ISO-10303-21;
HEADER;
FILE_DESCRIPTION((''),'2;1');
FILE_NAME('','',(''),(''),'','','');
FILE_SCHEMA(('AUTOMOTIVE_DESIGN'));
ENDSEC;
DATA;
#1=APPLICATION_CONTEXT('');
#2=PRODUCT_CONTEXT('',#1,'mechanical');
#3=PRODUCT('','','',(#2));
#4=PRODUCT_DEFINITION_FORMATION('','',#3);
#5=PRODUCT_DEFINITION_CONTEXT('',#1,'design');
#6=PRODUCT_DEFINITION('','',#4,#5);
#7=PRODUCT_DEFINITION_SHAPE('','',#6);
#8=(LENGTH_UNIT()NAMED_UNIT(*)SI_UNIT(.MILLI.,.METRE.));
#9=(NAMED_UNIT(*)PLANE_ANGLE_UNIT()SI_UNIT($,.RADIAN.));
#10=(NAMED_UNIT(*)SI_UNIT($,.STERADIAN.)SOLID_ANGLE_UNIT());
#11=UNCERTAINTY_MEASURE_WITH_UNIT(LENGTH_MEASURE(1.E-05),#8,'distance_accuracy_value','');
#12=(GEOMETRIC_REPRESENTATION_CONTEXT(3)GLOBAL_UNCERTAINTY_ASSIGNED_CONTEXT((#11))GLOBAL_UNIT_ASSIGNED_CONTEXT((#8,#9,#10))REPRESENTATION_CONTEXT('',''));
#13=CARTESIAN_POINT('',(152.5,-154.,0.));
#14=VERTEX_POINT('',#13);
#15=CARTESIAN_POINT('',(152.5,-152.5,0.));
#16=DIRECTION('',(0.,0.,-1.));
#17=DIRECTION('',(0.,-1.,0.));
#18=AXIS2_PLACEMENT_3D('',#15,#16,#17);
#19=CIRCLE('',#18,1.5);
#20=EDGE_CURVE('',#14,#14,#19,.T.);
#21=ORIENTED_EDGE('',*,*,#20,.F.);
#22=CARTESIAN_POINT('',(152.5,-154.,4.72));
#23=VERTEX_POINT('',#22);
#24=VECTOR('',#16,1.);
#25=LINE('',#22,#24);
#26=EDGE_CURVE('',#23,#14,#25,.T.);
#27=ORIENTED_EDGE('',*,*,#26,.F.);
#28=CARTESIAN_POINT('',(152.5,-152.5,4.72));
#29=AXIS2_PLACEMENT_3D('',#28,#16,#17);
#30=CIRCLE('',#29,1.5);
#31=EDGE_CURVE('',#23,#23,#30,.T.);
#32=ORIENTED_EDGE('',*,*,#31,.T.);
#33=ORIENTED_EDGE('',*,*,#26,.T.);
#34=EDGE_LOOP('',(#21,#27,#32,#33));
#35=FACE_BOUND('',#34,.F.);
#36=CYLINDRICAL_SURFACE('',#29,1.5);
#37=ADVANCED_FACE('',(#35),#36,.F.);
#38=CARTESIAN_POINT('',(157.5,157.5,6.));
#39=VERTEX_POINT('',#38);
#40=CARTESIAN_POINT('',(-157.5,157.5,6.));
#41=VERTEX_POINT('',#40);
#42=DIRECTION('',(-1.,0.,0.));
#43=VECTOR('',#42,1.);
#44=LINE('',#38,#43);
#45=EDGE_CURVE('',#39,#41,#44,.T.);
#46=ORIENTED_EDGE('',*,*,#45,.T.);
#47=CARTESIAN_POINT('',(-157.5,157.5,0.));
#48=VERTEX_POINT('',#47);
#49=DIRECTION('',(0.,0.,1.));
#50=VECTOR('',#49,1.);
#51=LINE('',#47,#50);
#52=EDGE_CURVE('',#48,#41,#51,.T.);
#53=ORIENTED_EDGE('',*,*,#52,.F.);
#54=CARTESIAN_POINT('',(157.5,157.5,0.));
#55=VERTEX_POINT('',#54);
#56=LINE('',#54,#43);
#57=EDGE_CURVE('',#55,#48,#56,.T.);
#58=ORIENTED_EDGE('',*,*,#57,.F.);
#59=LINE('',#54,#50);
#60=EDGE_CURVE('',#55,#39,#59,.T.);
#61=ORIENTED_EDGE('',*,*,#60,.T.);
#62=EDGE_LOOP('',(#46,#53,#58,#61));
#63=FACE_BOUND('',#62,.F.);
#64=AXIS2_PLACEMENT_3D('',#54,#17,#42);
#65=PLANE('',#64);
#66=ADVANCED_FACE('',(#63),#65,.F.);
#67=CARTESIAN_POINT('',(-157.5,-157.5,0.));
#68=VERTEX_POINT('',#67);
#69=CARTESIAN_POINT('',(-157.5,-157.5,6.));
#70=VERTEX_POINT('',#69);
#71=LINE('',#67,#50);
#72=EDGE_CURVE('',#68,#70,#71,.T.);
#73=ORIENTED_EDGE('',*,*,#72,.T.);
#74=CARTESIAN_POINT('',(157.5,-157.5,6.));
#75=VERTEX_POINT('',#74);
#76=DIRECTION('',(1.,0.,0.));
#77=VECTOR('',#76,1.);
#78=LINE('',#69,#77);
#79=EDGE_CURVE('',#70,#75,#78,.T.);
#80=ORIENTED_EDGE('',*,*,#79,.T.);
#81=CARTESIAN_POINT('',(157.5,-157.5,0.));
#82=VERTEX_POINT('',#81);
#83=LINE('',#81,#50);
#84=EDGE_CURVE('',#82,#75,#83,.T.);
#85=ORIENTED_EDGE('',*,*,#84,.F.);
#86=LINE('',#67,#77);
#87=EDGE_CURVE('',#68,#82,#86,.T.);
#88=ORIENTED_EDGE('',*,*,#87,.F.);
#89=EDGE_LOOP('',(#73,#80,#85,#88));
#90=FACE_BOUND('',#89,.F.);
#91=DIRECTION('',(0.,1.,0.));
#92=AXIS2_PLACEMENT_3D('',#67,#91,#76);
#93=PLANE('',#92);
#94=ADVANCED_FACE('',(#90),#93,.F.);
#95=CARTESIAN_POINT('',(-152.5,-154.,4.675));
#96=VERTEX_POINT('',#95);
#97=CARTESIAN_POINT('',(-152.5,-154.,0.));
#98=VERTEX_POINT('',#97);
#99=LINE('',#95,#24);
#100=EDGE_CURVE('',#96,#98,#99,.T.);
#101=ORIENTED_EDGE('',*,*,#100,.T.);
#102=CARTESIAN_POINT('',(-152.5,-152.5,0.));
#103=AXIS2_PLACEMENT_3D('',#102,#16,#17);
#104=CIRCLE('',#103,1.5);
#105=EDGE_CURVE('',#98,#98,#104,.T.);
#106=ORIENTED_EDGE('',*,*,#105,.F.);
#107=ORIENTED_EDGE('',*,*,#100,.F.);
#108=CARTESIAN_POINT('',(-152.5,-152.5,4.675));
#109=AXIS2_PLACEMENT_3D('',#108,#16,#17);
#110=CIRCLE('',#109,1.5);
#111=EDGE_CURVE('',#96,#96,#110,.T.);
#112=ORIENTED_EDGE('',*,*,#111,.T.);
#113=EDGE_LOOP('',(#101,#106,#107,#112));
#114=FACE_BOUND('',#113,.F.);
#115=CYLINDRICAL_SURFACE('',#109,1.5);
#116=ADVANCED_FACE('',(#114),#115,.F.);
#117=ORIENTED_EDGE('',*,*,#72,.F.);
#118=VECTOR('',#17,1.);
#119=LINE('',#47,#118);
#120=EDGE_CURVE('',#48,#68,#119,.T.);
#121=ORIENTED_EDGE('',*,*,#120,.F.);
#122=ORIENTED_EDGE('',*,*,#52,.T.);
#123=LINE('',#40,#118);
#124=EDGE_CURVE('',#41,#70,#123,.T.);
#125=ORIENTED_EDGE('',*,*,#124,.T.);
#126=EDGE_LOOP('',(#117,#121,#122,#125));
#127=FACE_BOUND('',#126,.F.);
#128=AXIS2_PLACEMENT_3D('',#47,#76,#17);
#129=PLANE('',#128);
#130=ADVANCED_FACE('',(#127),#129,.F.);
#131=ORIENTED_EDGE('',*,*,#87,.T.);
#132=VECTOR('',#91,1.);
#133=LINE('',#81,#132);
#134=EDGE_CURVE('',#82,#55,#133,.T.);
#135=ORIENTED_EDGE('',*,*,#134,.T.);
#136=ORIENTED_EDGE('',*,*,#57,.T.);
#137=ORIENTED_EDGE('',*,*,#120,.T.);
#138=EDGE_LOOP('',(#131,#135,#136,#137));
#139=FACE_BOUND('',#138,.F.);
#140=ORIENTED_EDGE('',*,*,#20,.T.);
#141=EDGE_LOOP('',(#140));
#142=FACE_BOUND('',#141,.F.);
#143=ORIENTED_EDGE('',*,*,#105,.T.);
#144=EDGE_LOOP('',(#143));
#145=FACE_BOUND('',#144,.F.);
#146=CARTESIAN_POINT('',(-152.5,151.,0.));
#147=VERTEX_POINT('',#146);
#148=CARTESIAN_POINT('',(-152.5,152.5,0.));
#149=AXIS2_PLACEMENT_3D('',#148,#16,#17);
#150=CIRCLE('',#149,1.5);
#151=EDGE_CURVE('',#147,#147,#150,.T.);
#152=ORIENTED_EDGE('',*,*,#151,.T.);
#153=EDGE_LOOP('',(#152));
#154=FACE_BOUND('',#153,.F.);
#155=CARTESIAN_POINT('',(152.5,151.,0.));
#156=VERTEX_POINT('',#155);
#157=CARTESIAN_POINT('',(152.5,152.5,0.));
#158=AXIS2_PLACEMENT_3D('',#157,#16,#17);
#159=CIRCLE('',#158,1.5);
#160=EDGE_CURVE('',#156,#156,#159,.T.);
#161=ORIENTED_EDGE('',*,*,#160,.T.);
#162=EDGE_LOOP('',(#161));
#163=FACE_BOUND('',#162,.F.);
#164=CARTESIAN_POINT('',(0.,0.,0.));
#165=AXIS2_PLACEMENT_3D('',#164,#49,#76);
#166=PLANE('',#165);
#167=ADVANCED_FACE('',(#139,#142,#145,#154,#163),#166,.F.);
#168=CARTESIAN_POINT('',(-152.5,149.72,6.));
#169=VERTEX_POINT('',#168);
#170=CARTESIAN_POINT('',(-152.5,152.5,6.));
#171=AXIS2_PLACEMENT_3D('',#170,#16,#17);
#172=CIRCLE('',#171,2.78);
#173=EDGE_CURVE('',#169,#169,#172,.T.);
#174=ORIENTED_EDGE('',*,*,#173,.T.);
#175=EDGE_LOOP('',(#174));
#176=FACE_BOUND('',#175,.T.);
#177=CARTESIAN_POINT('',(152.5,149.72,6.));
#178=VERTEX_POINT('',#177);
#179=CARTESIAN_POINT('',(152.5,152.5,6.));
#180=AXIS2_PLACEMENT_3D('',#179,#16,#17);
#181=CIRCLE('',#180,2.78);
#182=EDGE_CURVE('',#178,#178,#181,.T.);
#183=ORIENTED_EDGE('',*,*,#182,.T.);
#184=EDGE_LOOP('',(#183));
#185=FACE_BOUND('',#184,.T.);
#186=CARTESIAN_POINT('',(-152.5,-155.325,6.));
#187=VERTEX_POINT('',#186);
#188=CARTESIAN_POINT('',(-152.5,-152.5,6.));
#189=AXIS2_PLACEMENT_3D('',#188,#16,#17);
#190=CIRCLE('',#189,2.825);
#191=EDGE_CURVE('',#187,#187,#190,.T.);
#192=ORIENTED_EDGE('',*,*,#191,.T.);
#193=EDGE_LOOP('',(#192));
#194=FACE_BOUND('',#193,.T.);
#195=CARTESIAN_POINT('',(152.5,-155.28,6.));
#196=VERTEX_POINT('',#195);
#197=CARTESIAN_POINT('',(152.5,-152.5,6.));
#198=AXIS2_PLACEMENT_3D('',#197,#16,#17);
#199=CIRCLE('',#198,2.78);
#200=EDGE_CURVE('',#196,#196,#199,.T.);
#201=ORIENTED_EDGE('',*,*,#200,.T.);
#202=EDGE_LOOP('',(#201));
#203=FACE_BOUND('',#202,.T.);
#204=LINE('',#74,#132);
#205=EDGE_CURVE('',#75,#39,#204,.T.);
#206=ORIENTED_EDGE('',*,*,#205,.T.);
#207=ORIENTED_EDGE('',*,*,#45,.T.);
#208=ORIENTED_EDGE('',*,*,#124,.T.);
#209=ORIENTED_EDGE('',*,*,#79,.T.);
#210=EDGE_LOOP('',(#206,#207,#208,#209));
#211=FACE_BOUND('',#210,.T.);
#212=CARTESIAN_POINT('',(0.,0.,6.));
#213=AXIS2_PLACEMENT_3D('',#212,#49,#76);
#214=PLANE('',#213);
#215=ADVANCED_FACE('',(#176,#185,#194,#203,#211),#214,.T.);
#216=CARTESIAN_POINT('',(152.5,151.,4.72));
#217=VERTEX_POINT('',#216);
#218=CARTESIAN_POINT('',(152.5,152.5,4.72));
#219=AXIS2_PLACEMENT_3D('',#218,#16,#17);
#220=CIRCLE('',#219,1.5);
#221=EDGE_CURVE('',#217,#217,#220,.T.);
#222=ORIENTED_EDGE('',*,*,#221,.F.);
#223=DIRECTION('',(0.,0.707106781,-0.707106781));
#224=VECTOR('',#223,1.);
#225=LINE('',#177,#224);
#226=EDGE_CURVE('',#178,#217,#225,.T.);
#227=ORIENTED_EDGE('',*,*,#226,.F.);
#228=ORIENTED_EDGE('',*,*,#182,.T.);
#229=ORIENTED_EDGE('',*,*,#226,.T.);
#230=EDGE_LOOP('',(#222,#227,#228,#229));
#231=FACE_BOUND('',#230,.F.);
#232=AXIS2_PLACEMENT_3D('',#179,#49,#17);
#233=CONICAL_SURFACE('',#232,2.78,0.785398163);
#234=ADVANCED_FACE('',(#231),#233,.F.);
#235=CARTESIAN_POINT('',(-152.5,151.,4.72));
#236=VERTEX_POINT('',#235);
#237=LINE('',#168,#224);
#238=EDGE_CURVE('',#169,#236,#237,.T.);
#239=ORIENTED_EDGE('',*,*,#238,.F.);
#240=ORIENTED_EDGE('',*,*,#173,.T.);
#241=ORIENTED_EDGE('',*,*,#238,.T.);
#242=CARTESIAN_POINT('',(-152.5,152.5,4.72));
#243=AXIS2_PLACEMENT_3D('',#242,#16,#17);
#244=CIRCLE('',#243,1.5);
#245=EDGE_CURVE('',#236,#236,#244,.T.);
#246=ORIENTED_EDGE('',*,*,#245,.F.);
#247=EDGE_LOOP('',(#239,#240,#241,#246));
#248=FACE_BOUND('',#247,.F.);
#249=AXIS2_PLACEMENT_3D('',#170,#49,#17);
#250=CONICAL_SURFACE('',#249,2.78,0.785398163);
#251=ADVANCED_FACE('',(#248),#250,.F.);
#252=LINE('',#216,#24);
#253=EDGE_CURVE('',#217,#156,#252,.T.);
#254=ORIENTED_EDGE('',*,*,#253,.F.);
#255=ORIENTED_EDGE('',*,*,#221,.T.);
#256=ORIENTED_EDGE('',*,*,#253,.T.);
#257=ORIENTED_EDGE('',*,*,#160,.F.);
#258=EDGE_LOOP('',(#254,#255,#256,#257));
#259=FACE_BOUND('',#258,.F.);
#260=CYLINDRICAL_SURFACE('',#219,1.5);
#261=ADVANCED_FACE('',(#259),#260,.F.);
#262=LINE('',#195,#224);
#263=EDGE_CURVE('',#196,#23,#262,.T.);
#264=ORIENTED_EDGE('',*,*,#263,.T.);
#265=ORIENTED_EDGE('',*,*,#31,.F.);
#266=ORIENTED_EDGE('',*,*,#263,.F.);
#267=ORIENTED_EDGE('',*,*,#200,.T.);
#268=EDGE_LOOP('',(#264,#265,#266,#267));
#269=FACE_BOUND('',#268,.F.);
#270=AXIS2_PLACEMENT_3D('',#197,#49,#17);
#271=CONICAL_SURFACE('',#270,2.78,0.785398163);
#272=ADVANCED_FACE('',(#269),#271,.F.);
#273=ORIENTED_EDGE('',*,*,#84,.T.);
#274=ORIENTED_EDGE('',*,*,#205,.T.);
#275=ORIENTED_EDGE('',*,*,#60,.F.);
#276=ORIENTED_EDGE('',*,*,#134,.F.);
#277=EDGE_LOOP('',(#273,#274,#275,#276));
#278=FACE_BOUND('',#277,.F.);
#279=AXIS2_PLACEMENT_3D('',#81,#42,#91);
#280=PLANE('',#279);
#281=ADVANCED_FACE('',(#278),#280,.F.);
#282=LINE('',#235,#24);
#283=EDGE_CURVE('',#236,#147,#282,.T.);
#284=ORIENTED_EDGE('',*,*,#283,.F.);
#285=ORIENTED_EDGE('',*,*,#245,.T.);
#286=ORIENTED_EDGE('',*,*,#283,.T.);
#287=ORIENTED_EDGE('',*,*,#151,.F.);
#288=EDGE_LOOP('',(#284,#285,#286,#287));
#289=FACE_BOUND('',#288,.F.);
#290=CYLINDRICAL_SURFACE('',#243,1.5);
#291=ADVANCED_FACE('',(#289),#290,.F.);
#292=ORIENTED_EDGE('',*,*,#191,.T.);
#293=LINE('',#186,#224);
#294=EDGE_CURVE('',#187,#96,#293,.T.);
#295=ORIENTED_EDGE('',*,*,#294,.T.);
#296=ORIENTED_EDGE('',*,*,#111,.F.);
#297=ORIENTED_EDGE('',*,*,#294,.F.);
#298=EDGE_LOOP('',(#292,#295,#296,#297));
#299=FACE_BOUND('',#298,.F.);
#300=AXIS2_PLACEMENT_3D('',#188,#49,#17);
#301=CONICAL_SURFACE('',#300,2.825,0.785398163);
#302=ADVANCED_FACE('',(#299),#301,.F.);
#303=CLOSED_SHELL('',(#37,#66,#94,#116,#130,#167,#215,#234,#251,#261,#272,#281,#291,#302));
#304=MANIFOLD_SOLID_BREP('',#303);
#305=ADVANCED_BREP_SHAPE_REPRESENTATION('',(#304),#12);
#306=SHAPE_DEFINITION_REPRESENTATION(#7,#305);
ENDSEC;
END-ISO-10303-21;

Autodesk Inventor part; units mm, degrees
ref_plane "YZ Plane" through (0, 0, 0) normal (1, 0, 0) x (0, 1, 0)
ref_plane "XZ Plane" through (0, 0, 0) normal (0, 1, 0) x (-1, 0, 0)
ref_plane "XY Plane" through (0, 0, 0) normal (0, 0, 1) x (1, 0, 0)
sketch "Skizze1" plane through (0, 0, 0) normal (0, 0, 1) x (1, 0, 0)
  line L0 (-157.5, -157.5) -> (157.5, -157.5)
  line L1 (157.5, -157.5) -> (157.5, 157.5)
  line L2 (157.5, 157.5) -> (-157.5, 157.5)
  line L3 (-157.5, 157.5) -> (-157.5, -157.5)
  line L4 (-157.5, -157.5) -> (157.5, 157.5) construction
  line L5 (157.5, -157.5) -> (-157.5, 157.5) construction
  point P0 (0, 0)
  dimension "d0" = 315
  dimension "d1" = 315
extrude "Extrusion1" add sketch "Skizze1" along normal blind 6
hole "Bohrung1" at (-152.5, -152.5, 6) direction (0, 0, -1) diameter 3 end through all countersink diameter 5.65 countersink angle 90
hole "Bohrung2" at (152.5, -152.5, 6) direction (0, 0, -1) diameter 3 end through all countersink diameter 5.56 countersink angle 90
hole "Bohrung3" at (152.5, 152.5, 6) direction (0, 0, -1) diameter 3 end through all countersink diameter 5.56 countersink angle 90
hole "Bohrung4" at (-152.5, 152.5, 6) direction (0, 0, -1) diameter 3 end through all countersink diameter 5.56 countersink angle 90
properties part number "alu plate" material "Aluminium 6061"
